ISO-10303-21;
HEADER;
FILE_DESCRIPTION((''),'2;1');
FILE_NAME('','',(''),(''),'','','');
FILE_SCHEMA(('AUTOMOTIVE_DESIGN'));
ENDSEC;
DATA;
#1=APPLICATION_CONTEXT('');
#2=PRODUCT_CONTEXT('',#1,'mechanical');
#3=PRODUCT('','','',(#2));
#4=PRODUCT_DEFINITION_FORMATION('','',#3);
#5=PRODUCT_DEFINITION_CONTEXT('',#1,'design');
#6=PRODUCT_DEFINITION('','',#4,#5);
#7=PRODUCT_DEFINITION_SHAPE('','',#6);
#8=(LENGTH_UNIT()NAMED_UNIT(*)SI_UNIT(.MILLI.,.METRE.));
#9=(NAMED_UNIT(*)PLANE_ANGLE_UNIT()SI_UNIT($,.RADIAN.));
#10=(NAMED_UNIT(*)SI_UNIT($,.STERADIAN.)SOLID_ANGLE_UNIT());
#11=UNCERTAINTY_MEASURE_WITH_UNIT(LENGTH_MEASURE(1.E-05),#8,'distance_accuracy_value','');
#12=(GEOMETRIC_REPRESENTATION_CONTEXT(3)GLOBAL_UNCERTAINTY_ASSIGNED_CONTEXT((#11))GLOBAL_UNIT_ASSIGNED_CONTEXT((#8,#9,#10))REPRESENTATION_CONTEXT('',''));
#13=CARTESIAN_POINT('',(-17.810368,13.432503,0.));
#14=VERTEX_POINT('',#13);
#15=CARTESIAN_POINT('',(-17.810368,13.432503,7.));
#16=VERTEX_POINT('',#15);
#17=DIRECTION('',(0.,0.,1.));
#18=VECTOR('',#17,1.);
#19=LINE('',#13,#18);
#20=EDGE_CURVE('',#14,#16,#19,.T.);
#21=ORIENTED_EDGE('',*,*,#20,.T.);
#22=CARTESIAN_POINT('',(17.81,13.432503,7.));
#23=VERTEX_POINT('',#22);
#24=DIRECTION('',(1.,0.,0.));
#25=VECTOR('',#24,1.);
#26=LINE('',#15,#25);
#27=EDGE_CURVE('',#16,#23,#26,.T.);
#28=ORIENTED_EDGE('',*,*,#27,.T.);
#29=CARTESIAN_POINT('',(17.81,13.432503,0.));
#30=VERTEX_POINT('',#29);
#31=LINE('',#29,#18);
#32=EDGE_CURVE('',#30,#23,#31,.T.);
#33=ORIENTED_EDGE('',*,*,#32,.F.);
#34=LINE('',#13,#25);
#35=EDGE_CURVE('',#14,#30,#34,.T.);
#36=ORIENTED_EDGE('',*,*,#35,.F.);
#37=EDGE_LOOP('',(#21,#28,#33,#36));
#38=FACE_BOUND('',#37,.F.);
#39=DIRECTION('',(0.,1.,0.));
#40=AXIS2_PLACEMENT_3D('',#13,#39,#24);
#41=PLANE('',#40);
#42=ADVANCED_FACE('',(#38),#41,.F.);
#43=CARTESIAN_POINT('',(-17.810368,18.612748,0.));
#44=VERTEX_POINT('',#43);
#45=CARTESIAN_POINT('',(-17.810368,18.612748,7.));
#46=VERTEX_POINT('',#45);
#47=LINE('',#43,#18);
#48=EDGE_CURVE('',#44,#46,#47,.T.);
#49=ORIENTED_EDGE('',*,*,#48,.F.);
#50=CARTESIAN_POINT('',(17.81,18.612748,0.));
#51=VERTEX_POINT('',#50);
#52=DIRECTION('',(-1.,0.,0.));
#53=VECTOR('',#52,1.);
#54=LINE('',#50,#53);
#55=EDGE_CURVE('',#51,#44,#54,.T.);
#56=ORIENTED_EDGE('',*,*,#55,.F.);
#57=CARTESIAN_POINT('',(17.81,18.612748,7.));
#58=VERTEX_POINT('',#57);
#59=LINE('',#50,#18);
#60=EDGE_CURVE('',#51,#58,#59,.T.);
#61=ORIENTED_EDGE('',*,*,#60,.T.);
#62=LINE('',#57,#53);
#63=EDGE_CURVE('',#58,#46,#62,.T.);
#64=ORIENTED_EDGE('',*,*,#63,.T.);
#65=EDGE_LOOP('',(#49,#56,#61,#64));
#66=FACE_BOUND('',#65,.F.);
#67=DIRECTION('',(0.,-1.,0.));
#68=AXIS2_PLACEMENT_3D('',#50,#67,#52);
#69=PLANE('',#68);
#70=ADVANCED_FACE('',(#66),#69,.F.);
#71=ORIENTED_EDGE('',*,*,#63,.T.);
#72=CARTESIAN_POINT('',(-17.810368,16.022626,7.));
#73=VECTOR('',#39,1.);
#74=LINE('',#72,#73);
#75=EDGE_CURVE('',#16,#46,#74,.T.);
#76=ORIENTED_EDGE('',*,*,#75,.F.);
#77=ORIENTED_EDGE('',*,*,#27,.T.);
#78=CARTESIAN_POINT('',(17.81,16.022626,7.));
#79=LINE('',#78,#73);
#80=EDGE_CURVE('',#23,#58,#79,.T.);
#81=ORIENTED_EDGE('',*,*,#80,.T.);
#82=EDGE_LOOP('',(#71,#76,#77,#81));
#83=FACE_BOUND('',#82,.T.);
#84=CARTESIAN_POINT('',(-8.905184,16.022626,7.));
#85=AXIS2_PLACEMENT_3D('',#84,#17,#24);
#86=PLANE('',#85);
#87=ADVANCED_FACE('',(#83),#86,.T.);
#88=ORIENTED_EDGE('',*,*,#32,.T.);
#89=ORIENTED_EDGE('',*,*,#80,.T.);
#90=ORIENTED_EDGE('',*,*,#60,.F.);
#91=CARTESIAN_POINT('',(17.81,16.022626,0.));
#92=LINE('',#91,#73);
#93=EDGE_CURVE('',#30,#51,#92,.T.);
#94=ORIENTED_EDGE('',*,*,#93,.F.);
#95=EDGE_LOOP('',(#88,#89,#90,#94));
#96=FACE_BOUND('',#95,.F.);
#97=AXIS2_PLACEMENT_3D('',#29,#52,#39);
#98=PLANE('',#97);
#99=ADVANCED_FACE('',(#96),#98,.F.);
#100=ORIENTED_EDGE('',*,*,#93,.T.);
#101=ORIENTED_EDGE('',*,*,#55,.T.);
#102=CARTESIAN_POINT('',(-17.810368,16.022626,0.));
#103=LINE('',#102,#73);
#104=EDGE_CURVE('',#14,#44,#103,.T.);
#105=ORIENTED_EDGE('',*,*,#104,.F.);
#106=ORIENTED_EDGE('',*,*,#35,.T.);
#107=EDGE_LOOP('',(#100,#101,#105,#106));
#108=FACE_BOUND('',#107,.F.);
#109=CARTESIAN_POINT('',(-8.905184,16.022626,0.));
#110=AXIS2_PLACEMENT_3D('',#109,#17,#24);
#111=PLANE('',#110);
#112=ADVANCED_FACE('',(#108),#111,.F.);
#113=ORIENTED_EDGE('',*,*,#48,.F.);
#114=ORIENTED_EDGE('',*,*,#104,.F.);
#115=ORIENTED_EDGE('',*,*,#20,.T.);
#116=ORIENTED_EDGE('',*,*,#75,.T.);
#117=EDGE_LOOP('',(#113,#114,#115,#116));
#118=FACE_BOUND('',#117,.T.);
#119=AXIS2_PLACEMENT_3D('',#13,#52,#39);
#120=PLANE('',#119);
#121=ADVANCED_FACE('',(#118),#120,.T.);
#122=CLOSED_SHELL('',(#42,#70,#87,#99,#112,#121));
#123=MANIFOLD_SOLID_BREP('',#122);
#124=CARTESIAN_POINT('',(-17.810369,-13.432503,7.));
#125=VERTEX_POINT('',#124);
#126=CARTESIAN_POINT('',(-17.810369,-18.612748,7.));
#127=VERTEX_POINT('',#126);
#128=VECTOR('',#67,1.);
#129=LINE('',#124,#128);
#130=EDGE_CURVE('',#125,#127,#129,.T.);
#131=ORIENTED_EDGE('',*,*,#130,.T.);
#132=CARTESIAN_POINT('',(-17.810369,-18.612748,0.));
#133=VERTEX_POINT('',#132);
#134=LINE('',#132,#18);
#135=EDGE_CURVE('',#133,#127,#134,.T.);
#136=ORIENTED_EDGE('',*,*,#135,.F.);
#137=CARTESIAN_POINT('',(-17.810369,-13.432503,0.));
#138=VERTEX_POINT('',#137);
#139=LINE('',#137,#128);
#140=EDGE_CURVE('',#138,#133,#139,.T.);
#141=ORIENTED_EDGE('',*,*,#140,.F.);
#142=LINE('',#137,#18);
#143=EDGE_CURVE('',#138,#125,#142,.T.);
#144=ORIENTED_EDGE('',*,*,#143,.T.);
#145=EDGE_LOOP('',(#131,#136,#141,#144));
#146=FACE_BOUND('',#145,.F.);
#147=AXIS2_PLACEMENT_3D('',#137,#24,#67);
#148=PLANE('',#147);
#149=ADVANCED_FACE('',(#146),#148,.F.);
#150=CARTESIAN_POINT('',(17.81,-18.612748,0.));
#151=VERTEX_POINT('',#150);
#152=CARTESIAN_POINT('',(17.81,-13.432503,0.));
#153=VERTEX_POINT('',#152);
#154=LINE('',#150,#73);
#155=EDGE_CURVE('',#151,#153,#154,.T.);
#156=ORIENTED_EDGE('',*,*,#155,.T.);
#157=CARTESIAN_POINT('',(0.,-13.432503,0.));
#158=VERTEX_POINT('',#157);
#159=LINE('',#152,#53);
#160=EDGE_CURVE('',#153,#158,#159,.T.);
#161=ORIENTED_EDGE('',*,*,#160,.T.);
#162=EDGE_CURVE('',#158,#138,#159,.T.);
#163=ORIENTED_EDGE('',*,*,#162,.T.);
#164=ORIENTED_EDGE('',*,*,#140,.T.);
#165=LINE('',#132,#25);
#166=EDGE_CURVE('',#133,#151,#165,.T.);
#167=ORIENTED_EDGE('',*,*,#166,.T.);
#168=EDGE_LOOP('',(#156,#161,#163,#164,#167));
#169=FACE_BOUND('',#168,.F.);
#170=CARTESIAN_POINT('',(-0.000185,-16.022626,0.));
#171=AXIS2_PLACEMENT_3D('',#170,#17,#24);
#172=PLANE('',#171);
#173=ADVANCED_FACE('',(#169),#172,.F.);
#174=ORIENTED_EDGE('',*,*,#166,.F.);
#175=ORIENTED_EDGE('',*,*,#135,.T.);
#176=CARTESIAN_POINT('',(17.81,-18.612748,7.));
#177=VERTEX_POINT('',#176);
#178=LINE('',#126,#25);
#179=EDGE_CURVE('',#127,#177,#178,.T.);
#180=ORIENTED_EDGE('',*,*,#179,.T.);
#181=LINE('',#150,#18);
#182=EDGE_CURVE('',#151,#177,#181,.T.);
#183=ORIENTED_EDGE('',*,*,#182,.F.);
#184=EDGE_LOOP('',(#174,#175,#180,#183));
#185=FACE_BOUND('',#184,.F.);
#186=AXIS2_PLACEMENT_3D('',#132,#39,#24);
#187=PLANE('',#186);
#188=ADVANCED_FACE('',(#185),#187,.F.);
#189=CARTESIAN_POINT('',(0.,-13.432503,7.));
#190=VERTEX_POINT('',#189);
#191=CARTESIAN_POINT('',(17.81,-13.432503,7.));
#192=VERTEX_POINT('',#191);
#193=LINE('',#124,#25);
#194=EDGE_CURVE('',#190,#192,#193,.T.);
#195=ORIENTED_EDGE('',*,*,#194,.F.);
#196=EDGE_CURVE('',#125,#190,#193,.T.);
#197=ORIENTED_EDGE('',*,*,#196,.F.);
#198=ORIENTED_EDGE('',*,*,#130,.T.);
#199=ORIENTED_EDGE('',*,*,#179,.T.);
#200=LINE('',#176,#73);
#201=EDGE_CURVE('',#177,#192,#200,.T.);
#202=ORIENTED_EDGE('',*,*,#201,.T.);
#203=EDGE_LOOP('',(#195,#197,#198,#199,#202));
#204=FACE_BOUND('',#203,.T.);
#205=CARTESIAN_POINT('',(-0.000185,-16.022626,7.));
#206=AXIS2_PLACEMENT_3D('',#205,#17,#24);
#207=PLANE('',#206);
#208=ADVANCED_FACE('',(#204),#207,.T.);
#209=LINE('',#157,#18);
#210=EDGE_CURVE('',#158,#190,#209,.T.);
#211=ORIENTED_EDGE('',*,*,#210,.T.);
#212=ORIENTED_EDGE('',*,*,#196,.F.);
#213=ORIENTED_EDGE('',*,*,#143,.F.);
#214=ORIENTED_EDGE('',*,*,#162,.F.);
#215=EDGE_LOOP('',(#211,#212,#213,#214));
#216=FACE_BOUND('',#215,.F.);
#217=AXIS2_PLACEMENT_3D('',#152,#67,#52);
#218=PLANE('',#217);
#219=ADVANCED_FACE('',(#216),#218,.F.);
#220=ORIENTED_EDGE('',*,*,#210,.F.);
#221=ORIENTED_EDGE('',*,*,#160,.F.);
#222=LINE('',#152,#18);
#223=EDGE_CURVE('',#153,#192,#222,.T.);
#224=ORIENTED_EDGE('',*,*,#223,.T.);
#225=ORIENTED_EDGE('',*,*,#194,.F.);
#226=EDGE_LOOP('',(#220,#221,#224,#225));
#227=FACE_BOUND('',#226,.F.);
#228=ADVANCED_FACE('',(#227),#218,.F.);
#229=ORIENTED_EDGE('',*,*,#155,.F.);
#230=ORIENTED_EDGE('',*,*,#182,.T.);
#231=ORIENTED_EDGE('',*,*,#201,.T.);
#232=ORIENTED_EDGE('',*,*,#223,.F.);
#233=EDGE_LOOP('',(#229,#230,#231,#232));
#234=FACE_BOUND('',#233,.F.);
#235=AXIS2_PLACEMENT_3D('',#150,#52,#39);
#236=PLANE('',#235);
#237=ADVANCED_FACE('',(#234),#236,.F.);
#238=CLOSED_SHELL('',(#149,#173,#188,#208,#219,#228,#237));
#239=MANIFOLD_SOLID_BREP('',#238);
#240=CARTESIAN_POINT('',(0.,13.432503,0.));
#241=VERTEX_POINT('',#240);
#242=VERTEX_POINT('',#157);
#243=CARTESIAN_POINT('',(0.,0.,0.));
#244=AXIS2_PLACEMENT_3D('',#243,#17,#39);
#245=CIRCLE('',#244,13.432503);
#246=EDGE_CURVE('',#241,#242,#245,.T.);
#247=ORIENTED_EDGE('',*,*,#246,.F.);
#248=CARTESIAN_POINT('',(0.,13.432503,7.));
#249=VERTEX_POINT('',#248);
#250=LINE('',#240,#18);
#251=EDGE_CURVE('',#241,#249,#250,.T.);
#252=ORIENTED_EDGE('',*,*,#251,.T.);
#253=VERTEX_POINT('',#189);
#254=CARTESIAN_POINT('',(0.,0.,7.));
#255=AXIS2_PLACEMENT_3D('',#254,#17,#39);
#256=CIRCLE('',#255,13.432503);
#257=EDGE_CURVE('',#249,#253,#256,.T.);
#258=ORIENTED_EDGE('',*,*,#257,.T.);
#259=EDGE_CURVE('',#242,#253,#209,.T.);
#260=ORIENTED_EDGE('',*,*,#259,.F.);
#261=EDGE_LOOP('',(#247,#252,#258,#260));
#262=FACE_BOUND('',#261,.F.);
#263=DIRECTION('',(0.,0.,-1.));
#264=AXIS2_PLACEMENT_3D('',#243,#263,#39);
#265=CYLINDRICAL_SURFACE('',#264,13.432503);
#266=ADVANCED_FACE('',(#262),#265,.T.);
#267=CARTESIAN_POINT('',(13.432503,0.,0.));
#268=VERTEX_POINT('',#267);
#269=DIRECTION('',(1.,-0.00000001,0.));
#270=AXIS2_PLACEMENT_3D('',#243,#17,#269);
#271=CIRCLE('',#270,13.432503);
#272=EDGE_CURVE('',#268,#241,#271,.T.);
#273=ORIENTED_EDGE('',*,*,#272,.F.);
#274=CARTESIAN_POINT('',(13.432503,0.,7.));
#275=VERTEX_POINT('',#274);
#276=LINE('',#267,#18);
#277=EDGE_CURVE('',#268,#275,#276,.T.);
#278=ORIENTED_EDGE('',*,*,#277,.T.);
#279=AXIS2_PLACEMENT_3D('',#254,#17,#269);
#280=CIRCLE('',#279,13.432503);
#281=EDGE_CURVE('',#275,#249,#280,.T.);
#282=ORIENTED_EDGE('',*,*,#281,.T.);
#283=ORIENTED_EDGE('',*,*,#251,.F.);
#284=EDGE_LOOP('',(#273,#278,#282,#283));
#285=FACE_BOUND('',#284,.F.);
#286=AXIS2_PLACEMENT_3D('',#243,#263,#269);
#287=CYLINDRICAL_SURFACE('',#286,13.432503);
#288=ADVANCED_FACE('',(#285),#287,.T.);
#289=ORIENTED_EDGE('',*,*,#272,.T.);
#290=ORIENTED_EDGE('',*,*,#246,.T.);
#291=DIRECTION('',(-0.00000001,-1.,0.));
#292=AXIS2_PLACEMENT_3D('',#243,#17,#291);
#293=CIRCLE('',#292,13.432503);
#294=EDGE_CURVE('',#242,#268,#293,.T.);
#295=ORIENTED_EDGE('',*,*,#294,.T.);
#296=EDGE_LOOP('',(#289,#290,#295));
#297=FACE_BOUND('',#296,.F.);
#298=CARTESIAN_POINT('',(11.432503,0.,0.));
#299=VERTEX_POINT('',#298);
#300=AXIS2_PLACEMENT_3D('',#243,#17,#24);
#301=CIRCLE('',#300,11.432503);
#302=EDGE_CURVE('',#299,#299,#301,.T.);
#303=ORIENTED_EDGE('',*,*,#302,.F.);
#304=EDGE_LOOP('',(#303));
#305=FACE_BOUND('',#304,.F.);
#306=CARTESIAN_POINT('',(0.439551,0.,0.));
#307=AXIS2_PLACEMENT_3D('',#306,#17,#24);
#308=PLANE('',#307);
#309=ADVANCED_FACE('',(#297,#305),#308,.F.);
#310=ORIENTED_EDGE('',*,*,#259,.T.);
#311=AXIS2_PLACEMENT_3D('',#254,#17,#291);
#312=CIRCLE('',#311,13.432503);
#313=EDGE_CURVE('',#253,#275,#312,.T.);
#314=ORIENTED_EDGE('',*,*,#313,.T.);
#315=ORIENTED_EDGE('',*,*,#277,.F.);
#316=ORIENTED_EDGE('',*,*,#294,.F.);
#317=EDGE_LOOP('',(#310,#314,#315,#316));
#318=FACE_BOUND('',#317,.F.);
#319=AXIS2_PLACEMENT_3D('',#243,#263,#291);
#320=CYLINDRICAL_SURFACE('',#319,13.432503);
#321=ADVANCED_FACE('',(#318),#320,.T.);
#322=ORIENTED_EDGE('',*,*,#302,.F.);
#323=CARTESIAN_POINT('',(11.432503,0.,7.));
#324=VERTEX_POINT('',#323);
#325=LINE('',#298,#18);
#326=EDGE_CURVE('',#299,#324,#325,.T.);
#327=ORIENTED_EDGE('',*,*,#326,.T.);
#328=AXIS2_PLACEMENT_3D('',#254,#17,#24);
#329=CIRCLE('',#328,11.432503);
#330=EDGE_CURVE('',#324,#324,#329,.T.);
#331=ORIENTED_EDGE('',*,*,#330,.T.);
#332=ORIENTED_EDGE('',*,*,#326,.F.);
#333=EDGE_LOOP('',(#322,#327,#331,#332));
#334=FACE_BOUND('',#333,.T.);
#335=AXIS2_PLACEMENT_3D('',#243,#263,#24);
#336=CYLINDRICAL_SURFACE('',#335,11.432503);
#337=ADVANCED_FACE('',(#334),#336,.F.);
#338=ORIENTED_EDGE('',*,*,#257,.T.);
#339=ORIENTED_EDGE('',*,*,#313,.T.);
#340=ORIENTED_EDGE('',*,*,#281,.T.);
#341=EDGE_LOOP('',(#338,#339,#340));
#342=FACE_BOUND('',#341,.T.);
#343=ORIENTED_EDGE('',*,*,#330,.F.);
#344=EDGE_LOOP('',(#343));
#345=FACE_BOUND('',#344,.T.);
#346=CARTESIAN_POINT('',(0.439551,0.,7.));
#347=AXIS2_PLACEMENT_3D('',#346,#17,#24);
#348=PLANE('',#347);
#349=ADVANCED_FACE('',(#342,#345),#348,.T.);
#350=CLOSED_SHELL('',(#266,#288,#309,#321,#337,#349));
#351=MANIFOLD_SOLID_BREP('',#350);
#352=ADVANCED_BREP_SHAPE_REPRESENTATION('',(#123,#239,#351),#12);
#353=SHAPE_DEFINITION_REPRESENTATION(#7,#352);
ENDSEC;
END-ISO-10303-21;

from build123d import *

# Parameters (mm, degrees)
F0_R     = 11.432503
F0_W     = 17.810369
F0_H     = 5.180245
F0_W_2   = 17.81
F1_DEPTH = 7


with BuildPart() as f1:
    # F0 (on Top) → F1 (new body)
    with BuildSketch(Plane.XY):
        with BuildLine():
            ThreePointArc((0, -13.432503), (9.498214, -9.498214), (13.432503, 0))
            ThreePointArc((13.432503, 0), (9.498214, 9.498214), (0, 13.432503))
            ThreePointArc((0, 13.432503), (-13.432503, 0), (0, -13.432503))
        make_face()
        Circle(F0_R, mode=Mode.SUBTRACT)
        Polygon((17.81, -13.432503), (0, -13.432503), (-17.810369, -13.432503), (-17.810369, -18.612748), (0, -18.612748), (17.81, -18.612748), align=None)
        with Locations((-8.905184, 16.022626)):
            Rectangle(F0_W, F0_H)
        with Locations((8.905, 16.022626)):
            Rectangle(F0_W_2, F0_H)
    extrude(amount=F1_DEPTH)


solid = f1.part
